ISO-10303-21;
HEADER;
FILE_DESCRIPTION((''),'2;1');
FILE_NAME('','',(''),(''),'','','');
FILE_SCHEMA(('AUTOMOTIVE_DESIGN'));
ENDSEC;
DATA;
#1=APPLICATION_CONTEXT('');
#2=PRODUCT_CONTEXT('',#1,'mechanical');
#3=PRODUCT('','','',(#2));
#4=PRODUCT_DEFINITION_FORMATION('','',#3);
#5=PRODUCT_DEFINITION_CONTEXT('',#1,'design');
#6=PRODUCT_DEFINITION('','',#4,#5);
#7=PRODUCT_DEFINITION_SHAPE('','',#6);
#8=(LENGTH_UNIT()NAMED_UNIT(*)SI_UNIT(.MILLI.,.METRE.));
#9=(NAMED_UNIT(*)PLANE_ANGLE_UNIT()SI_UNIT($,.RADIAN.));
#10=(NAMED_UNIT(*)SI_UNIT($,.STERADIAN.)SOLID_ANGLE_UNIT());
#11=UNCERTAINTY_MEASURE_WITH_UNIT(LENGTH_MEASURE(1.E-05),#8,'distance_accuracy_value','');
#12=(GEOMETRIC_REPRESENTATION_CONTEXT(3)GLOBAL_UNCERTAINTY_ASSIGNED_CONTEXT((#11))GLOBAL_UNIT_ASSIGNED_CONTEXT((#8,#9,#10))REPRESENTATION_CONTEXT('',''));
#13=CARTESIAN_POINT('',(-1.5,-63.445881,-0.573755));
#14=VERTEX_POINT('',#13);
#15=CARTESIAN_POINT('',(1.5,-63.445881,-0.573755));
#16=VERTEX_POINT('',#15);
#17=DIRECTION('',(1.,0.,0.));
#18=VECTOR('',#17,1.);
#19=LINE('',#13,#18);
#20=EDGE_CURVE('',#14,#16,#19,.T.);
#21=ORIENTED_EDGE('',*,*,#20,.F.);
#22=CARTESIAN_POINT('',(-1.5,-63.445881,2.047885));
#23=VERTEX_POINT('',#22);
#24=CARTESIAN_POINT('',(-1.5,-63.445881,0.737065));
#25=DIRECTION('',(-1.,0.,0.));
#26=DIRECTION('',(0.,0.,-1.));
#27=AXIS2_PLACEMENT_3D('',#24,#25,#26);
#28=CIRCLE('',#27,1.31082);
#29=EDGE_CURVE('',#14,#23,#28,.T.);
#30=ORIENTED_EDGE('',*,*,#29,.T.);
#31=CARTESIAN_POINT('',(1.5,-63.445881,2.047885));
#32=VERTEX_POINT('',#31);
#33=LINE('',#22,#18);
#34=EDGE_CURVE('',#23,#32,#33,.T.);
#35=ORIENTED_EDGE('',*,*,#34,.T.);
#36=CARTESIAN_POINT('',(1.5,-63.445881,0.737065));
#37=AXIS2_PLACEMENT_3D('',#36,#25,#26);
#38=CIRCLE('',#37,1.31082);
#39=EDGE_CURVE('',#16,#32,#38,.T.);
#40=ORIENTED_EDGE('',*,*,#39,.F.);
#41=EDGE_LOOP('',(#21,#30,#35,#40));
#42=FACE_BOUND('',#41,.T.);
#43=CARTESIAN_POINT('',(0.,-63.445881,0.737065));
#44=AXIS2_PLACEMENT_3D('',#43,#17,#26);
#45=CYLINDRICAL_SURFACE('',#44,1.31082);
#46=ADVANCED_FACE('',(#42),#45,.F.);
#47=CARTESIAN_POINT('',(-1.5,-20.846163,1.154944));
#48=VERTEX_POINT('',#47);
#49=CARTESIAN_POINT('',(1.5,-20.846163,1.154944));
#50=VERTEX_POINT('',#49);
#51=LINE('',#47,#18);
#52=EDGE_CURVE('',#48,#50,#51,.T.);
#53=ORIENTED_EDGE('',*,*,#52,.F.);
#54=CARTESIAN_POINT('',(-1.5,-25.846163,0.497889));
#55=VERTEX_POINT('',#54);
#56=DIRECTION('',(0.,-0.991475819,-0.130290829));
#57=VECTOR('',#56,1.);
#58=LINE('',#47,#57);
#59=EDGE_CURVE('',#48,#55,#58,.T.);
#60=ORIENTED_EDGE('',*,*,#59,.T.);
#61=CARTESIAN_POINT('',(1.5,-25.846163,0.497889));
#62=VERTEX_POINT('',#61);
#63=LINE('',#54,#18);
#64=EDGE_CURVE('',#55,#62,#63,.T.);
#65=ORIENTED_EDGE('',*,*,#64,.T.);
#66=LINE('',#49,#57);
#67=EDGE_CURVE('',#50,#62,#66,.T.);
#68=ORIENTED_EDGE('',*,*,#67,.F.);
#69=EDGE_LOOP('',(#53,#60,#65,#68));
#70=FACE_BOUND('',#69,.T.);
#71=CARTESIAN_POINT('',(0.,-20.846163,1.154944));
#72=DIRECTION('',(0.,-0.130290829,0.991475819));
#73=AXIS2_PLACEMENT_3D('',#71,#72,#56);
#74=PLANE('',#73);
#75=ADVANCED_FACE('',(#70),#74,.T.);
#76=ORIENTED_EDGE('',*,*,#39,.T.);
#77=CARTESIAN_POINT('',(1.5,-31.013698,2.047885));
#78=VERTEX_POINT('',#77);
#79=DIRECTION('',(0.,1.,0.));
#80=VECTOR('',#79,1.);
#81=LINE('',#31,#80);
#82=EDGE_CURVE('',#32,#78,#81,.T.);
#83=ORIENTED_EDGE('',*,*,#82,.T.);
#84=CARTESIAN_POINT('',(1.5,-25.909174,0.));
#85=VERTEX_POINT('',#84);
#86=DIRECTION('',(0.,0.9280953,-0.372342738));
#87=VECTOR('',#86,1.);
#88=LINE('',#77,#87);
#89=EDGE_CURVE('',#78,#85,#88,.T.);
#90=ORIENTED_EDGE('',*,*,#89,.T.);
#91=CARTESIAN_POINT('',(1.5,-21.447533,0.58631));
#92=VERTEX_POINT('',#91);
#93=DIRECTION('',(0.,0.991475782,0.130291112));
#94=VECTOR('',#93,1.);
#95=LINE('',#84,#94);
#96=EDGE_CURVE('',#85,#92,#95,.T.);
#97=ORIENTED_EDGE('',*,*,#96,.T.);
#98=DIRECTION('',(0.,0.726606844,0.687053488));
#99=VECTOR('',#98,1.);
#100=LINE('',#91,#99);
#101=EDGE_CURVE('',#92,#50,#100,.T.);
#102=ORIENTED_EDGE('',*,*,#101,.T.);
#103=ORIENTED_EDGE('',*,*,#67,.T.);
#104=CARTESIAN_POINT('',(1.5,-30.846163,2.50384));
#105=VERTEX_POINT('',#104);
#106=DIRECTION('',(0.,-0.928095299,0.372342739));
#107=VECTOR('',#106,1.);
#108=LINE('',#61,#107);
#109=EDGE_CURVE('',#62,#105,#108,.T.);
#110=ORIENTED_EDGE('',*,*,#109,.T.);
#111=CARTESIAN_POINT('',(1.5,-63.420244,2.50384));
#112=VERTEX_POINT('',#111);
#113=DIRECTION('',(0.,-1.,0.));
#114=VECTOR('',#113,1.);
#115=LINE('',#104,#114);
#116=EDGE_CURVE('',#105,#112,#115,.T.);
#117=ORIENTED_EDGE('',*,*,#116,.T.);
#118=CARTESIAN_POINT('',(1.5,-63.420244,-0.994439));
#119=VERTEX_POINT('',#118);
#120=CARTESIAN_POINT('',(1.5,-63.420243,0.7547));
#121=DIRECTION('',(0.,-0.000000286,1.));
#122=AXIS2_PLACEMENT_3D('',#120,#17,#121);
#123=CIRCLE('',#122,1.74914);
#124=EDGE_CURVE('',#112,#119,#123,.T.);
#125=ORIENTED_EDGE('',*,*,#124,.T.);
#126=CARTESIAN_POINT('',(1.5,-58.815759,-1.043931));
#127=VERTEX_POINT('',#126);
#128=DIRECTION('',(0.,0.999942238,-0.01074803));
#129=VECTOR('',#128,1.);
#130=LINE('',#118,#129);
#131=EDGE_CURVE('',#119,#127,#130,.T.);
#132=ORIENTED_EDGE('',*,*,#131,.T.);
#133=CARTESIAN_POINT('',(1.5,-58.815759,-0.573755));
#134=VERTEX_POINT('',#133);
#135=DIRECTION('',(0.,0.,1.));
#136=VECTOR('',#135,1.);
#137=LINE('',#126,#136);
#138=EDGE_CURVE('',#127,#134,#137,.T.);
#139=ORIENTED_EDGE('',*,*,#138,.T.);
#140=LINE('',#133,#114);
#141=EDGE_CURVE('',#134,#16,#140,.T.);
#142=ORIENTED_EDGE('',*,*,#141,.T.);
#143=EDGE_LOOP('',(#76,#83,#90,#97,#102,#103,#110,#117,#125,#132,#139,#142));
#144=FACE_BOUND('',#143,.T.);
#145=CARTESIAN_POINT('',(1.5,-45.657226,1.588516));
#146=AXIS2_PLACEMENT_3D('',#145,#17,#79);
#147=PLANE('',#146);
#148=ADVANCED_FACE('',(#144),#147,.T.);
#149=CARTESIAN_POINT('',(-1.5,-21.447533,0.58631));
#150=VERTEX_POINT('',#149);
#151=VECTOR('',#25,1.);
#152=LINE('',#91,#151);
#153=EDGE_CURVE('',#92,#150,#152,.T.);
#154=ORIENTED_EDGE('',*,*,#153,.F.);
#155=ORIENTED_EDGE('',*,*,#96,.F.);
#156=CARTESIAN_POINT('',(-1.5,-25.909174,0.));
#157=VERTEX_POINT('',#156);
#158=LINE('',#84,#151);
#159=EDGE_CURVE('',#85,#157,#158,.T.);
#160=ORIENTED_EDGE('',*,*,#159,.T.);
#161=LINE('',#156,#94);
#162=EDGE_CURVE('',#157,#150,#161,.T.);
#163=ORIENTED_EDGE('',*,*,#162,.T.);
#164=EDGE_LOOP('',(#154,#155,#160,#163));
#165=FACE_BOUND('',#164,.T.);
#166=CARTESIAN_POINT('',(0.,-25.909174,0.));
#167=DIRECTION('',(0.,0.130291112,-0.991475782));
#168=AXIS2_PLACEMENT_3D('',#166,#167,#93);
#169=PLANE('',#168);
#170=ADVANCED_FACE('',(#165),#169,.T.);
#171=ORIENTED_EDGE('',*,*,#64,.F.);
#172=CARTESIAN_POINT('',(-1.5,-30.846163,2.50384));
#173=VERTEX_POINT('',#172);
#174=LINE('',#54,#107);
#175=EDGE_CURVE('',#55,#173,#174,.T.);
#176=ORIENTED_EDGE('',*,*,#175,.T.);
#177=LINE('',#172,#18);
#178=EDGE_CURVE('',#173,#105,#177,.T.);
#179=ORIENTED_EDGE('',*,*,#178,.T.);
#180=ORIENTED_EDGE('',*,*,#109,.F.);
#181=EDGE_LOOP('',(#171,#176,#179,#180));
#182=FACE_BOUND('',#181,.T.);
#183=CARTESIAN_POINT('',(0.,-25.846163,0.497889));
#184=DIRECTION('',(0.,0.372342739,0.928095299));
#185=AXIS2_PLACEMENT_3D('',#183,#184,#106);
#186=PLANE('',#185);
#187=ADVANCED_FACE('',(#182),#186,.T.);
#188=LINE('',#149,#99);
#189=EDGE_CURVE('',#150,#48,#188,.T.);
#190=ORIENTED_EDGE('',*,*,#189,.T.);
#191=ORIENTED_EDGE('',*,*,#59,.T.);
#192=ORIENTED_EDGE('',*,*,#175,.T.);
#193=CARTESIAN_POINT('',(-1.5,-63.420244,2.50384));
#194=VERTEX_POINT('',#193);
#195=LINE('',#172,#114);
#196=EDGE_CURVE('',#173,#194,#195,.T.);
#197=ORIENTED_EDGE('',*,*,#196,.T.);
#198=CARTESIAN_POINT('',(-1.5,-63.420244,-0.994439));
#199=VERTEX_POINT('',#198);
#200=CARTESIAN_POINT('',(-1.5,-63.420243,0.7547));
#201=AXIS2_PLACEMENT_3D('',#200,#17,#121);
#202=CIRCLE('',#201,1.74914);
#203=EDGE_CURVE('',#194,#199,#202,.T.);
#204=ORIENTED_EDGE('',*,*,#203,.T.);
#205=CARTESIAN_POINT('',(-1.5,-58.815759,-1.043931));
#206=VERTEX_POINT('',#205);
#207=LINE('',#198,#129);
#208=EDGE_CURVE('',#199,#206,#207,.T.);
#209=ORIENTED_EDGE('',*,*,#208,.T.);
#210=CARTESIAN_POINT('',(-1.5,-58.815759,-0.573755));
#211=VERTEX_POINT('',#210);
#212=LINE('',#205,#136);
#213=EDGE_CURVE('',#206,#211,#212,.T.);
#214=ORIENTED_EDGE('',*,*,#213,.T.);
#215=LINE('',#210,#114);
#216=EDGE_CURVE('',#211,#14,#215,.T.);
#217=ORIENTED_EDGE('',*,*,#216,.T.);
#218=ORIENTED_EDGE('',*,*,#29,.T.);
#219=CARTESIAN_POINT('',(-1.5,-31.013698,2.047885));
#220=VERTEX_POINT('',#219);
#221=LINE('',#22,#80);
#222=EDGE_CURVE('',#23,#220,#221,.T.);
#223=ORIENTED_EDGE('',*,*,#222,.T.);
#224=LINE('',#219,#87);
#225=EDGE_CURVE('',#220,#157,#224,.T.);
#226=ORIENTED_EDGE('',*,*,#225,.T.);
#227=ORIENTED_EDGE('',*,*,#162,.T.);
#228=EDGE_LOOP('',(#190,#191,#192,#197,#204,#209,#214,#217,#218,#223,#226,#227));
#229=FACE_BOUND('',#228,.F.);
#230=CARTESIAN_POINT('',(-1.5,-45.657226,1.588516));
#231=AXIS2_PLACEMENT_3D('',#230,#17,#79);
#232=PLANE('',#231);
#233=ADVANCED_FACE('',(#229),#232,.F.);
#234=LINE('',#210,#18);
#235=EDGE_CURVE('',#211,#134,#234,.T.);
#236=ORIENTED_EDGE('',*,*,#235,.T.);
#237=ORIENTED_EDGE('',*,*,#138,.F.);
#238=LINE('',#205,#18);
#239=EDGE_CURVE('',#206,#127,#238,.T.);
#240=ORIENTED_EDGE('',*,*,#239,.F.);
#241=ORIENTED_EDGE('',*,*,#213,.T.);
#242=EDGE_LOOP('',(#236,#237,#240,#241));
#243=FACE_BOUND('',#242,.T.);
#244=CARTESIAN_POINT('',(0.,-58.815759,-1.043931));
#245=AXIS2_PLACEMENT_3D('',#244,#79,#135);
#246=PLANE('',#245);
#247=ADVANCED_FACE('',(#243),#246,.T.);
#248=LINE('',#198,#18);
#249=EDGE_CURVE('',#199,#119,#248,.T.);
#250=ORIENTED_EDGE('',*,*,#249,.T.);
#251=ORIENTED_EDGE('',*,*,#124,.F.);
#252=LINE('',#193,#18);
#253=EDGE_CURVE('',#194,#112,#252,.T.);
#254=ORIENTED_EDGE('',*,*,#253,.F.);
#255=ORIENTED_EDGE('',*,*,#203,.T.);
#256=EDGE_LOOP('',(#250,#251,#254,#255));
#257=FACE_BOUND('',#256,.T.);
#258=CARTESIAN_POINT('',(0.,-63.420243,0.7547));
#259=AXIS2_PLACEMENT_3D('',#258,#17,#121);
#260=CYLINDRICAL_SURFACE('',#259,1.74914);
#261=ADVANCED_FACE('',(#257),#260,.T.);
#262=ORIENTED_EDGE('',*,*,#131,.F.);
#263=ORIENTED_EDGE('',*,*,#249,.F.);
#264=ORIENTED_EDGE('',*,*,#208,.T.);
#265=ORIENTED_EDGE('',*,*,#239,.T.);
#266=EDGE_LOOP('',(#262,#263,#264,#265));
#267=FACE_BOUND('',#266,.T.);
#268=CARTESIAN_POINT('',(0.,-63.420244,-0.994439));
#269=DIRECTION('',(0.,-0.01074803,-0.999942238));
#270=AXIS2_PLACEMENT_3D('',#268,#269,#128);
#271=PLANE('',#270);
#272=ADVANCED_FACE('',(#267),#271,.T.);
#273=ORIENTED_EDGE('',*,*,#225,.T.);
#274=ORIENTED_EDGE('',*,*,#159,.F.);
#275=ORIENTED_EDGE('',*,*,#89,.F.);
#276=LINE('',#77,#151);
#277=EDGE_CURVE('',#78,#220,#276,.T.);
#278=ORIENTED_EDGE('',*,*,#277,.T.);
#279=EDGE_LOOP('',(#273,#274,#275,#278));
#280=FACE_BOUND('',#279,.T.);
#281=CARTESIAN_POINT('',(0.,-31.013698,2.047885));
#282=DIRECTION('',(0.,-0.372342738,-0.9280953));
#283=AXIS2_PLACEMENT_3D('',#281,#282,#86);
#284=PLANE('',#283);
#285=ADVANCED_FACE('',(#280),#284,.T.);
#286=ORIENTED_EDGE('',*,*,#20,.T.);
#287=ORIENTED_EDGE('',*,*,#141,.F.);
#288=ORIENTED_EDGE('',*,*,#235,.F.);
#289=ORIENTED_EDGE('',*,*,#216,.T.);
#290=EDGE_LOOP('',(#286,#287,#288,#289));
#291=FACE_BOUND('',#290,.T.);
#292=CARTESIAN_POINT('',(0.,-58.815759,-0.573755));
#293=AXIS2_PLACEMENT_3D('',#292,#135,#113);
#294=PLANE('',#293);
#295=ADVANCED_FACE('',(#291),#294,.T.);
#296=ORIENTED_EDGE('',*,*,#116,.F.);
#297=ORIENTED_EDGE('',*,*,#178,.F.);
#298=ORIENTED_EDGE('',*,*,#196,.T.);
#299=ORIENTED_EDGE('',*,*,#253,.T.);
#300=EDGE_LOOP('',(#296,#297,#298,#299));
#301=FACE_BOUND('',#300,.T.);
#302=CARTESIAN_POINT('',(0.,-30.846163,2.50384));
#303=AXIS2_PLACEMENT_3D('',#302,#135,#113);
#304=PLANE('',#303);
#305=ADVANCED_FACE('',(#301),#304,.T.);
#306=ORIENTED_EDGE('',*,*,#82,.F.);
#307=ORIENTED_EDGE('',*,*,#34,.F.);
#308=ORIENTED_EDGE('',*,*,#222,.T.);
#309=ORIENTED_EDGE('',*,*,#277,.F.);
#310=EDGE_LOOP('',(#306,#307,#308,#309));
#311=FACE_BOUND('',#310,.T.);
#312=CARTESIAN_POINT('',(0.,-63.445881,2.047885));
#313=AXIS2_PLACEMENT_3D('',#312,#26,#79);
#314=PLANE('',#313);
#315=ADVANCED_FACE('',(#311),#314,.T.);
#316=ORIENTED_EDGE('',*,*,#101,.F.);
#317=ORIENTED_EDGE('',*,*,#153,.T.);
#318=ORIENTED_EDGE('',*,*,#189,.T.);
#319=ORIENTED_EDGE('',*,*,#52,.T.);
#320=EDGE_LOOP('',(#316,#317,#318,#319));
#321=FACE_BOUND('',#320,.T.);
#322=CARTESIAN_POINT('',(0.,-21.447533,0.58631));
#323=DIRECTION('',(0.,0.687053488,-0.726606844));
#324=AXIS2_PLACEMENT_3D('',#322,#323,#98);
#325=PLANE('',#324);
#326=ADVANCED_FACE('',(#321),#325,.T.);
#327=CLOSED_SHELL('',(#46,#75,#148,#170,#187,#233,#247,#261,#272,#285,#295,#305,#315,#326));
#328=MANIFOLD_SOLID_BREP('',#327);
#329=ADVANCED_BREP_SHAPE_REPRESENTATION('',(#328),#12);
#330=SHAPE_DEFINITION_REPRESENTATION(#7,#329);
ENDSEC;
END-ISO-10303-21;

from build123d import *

# Parameters (mm, degrees)
F1_DEPTH      = 1.5
F1_DEPTH_BACK = 1.5


with BuildPart() as f1:
    # F0 (on Right) → F1 (new body, two sides)
    with BuildSketch(Plane.YZ) as f1_sk:
        with BuildLine():
            Line((-21.447533, 0.58631), (-20.846163, 1.154944))
            Line((-20.846163, 1.154944), (-25.846163, 0.497889))
            Line((-25.846163, 0.497889), (-30.846163, 2.50384))
            Line((-30.846163, 2.50384), (-63.420244, 2.50384))
            ThreePointArc((-63.420244, 2.50384), (-65.169383, 0.7547), (-63.420244, -0.994439))
            Line((-63.420244, -0.994439), (-58.815759, -1.043931))
            Line((-58.815759, -1.043931), (-58.815759, -0.573755))
            Line((-58.815759, -0.573755), (-63.445881, -0.573755))
            ThreePointArc((-63.445881, -0.573755), (-64.756701, 0.737065), (-63.445881, 2.047885))
            Line((-63.445881, 2.047885), (-58.539194, 2.047885))
            Line((-58.539194, 2.047885), (-31.013698, 2.047885))
            Line((-31.013698, 2.047885), (-25.909174, 0))
            Line((-25.909174, 0), (-21.447533, 0.58631))
        make_face()
    extrude(amount=F1_DEPTH)
    extrude(f1_sk.sketch, amount=-F1_DEPTH_BACK)


solid = f1.part
